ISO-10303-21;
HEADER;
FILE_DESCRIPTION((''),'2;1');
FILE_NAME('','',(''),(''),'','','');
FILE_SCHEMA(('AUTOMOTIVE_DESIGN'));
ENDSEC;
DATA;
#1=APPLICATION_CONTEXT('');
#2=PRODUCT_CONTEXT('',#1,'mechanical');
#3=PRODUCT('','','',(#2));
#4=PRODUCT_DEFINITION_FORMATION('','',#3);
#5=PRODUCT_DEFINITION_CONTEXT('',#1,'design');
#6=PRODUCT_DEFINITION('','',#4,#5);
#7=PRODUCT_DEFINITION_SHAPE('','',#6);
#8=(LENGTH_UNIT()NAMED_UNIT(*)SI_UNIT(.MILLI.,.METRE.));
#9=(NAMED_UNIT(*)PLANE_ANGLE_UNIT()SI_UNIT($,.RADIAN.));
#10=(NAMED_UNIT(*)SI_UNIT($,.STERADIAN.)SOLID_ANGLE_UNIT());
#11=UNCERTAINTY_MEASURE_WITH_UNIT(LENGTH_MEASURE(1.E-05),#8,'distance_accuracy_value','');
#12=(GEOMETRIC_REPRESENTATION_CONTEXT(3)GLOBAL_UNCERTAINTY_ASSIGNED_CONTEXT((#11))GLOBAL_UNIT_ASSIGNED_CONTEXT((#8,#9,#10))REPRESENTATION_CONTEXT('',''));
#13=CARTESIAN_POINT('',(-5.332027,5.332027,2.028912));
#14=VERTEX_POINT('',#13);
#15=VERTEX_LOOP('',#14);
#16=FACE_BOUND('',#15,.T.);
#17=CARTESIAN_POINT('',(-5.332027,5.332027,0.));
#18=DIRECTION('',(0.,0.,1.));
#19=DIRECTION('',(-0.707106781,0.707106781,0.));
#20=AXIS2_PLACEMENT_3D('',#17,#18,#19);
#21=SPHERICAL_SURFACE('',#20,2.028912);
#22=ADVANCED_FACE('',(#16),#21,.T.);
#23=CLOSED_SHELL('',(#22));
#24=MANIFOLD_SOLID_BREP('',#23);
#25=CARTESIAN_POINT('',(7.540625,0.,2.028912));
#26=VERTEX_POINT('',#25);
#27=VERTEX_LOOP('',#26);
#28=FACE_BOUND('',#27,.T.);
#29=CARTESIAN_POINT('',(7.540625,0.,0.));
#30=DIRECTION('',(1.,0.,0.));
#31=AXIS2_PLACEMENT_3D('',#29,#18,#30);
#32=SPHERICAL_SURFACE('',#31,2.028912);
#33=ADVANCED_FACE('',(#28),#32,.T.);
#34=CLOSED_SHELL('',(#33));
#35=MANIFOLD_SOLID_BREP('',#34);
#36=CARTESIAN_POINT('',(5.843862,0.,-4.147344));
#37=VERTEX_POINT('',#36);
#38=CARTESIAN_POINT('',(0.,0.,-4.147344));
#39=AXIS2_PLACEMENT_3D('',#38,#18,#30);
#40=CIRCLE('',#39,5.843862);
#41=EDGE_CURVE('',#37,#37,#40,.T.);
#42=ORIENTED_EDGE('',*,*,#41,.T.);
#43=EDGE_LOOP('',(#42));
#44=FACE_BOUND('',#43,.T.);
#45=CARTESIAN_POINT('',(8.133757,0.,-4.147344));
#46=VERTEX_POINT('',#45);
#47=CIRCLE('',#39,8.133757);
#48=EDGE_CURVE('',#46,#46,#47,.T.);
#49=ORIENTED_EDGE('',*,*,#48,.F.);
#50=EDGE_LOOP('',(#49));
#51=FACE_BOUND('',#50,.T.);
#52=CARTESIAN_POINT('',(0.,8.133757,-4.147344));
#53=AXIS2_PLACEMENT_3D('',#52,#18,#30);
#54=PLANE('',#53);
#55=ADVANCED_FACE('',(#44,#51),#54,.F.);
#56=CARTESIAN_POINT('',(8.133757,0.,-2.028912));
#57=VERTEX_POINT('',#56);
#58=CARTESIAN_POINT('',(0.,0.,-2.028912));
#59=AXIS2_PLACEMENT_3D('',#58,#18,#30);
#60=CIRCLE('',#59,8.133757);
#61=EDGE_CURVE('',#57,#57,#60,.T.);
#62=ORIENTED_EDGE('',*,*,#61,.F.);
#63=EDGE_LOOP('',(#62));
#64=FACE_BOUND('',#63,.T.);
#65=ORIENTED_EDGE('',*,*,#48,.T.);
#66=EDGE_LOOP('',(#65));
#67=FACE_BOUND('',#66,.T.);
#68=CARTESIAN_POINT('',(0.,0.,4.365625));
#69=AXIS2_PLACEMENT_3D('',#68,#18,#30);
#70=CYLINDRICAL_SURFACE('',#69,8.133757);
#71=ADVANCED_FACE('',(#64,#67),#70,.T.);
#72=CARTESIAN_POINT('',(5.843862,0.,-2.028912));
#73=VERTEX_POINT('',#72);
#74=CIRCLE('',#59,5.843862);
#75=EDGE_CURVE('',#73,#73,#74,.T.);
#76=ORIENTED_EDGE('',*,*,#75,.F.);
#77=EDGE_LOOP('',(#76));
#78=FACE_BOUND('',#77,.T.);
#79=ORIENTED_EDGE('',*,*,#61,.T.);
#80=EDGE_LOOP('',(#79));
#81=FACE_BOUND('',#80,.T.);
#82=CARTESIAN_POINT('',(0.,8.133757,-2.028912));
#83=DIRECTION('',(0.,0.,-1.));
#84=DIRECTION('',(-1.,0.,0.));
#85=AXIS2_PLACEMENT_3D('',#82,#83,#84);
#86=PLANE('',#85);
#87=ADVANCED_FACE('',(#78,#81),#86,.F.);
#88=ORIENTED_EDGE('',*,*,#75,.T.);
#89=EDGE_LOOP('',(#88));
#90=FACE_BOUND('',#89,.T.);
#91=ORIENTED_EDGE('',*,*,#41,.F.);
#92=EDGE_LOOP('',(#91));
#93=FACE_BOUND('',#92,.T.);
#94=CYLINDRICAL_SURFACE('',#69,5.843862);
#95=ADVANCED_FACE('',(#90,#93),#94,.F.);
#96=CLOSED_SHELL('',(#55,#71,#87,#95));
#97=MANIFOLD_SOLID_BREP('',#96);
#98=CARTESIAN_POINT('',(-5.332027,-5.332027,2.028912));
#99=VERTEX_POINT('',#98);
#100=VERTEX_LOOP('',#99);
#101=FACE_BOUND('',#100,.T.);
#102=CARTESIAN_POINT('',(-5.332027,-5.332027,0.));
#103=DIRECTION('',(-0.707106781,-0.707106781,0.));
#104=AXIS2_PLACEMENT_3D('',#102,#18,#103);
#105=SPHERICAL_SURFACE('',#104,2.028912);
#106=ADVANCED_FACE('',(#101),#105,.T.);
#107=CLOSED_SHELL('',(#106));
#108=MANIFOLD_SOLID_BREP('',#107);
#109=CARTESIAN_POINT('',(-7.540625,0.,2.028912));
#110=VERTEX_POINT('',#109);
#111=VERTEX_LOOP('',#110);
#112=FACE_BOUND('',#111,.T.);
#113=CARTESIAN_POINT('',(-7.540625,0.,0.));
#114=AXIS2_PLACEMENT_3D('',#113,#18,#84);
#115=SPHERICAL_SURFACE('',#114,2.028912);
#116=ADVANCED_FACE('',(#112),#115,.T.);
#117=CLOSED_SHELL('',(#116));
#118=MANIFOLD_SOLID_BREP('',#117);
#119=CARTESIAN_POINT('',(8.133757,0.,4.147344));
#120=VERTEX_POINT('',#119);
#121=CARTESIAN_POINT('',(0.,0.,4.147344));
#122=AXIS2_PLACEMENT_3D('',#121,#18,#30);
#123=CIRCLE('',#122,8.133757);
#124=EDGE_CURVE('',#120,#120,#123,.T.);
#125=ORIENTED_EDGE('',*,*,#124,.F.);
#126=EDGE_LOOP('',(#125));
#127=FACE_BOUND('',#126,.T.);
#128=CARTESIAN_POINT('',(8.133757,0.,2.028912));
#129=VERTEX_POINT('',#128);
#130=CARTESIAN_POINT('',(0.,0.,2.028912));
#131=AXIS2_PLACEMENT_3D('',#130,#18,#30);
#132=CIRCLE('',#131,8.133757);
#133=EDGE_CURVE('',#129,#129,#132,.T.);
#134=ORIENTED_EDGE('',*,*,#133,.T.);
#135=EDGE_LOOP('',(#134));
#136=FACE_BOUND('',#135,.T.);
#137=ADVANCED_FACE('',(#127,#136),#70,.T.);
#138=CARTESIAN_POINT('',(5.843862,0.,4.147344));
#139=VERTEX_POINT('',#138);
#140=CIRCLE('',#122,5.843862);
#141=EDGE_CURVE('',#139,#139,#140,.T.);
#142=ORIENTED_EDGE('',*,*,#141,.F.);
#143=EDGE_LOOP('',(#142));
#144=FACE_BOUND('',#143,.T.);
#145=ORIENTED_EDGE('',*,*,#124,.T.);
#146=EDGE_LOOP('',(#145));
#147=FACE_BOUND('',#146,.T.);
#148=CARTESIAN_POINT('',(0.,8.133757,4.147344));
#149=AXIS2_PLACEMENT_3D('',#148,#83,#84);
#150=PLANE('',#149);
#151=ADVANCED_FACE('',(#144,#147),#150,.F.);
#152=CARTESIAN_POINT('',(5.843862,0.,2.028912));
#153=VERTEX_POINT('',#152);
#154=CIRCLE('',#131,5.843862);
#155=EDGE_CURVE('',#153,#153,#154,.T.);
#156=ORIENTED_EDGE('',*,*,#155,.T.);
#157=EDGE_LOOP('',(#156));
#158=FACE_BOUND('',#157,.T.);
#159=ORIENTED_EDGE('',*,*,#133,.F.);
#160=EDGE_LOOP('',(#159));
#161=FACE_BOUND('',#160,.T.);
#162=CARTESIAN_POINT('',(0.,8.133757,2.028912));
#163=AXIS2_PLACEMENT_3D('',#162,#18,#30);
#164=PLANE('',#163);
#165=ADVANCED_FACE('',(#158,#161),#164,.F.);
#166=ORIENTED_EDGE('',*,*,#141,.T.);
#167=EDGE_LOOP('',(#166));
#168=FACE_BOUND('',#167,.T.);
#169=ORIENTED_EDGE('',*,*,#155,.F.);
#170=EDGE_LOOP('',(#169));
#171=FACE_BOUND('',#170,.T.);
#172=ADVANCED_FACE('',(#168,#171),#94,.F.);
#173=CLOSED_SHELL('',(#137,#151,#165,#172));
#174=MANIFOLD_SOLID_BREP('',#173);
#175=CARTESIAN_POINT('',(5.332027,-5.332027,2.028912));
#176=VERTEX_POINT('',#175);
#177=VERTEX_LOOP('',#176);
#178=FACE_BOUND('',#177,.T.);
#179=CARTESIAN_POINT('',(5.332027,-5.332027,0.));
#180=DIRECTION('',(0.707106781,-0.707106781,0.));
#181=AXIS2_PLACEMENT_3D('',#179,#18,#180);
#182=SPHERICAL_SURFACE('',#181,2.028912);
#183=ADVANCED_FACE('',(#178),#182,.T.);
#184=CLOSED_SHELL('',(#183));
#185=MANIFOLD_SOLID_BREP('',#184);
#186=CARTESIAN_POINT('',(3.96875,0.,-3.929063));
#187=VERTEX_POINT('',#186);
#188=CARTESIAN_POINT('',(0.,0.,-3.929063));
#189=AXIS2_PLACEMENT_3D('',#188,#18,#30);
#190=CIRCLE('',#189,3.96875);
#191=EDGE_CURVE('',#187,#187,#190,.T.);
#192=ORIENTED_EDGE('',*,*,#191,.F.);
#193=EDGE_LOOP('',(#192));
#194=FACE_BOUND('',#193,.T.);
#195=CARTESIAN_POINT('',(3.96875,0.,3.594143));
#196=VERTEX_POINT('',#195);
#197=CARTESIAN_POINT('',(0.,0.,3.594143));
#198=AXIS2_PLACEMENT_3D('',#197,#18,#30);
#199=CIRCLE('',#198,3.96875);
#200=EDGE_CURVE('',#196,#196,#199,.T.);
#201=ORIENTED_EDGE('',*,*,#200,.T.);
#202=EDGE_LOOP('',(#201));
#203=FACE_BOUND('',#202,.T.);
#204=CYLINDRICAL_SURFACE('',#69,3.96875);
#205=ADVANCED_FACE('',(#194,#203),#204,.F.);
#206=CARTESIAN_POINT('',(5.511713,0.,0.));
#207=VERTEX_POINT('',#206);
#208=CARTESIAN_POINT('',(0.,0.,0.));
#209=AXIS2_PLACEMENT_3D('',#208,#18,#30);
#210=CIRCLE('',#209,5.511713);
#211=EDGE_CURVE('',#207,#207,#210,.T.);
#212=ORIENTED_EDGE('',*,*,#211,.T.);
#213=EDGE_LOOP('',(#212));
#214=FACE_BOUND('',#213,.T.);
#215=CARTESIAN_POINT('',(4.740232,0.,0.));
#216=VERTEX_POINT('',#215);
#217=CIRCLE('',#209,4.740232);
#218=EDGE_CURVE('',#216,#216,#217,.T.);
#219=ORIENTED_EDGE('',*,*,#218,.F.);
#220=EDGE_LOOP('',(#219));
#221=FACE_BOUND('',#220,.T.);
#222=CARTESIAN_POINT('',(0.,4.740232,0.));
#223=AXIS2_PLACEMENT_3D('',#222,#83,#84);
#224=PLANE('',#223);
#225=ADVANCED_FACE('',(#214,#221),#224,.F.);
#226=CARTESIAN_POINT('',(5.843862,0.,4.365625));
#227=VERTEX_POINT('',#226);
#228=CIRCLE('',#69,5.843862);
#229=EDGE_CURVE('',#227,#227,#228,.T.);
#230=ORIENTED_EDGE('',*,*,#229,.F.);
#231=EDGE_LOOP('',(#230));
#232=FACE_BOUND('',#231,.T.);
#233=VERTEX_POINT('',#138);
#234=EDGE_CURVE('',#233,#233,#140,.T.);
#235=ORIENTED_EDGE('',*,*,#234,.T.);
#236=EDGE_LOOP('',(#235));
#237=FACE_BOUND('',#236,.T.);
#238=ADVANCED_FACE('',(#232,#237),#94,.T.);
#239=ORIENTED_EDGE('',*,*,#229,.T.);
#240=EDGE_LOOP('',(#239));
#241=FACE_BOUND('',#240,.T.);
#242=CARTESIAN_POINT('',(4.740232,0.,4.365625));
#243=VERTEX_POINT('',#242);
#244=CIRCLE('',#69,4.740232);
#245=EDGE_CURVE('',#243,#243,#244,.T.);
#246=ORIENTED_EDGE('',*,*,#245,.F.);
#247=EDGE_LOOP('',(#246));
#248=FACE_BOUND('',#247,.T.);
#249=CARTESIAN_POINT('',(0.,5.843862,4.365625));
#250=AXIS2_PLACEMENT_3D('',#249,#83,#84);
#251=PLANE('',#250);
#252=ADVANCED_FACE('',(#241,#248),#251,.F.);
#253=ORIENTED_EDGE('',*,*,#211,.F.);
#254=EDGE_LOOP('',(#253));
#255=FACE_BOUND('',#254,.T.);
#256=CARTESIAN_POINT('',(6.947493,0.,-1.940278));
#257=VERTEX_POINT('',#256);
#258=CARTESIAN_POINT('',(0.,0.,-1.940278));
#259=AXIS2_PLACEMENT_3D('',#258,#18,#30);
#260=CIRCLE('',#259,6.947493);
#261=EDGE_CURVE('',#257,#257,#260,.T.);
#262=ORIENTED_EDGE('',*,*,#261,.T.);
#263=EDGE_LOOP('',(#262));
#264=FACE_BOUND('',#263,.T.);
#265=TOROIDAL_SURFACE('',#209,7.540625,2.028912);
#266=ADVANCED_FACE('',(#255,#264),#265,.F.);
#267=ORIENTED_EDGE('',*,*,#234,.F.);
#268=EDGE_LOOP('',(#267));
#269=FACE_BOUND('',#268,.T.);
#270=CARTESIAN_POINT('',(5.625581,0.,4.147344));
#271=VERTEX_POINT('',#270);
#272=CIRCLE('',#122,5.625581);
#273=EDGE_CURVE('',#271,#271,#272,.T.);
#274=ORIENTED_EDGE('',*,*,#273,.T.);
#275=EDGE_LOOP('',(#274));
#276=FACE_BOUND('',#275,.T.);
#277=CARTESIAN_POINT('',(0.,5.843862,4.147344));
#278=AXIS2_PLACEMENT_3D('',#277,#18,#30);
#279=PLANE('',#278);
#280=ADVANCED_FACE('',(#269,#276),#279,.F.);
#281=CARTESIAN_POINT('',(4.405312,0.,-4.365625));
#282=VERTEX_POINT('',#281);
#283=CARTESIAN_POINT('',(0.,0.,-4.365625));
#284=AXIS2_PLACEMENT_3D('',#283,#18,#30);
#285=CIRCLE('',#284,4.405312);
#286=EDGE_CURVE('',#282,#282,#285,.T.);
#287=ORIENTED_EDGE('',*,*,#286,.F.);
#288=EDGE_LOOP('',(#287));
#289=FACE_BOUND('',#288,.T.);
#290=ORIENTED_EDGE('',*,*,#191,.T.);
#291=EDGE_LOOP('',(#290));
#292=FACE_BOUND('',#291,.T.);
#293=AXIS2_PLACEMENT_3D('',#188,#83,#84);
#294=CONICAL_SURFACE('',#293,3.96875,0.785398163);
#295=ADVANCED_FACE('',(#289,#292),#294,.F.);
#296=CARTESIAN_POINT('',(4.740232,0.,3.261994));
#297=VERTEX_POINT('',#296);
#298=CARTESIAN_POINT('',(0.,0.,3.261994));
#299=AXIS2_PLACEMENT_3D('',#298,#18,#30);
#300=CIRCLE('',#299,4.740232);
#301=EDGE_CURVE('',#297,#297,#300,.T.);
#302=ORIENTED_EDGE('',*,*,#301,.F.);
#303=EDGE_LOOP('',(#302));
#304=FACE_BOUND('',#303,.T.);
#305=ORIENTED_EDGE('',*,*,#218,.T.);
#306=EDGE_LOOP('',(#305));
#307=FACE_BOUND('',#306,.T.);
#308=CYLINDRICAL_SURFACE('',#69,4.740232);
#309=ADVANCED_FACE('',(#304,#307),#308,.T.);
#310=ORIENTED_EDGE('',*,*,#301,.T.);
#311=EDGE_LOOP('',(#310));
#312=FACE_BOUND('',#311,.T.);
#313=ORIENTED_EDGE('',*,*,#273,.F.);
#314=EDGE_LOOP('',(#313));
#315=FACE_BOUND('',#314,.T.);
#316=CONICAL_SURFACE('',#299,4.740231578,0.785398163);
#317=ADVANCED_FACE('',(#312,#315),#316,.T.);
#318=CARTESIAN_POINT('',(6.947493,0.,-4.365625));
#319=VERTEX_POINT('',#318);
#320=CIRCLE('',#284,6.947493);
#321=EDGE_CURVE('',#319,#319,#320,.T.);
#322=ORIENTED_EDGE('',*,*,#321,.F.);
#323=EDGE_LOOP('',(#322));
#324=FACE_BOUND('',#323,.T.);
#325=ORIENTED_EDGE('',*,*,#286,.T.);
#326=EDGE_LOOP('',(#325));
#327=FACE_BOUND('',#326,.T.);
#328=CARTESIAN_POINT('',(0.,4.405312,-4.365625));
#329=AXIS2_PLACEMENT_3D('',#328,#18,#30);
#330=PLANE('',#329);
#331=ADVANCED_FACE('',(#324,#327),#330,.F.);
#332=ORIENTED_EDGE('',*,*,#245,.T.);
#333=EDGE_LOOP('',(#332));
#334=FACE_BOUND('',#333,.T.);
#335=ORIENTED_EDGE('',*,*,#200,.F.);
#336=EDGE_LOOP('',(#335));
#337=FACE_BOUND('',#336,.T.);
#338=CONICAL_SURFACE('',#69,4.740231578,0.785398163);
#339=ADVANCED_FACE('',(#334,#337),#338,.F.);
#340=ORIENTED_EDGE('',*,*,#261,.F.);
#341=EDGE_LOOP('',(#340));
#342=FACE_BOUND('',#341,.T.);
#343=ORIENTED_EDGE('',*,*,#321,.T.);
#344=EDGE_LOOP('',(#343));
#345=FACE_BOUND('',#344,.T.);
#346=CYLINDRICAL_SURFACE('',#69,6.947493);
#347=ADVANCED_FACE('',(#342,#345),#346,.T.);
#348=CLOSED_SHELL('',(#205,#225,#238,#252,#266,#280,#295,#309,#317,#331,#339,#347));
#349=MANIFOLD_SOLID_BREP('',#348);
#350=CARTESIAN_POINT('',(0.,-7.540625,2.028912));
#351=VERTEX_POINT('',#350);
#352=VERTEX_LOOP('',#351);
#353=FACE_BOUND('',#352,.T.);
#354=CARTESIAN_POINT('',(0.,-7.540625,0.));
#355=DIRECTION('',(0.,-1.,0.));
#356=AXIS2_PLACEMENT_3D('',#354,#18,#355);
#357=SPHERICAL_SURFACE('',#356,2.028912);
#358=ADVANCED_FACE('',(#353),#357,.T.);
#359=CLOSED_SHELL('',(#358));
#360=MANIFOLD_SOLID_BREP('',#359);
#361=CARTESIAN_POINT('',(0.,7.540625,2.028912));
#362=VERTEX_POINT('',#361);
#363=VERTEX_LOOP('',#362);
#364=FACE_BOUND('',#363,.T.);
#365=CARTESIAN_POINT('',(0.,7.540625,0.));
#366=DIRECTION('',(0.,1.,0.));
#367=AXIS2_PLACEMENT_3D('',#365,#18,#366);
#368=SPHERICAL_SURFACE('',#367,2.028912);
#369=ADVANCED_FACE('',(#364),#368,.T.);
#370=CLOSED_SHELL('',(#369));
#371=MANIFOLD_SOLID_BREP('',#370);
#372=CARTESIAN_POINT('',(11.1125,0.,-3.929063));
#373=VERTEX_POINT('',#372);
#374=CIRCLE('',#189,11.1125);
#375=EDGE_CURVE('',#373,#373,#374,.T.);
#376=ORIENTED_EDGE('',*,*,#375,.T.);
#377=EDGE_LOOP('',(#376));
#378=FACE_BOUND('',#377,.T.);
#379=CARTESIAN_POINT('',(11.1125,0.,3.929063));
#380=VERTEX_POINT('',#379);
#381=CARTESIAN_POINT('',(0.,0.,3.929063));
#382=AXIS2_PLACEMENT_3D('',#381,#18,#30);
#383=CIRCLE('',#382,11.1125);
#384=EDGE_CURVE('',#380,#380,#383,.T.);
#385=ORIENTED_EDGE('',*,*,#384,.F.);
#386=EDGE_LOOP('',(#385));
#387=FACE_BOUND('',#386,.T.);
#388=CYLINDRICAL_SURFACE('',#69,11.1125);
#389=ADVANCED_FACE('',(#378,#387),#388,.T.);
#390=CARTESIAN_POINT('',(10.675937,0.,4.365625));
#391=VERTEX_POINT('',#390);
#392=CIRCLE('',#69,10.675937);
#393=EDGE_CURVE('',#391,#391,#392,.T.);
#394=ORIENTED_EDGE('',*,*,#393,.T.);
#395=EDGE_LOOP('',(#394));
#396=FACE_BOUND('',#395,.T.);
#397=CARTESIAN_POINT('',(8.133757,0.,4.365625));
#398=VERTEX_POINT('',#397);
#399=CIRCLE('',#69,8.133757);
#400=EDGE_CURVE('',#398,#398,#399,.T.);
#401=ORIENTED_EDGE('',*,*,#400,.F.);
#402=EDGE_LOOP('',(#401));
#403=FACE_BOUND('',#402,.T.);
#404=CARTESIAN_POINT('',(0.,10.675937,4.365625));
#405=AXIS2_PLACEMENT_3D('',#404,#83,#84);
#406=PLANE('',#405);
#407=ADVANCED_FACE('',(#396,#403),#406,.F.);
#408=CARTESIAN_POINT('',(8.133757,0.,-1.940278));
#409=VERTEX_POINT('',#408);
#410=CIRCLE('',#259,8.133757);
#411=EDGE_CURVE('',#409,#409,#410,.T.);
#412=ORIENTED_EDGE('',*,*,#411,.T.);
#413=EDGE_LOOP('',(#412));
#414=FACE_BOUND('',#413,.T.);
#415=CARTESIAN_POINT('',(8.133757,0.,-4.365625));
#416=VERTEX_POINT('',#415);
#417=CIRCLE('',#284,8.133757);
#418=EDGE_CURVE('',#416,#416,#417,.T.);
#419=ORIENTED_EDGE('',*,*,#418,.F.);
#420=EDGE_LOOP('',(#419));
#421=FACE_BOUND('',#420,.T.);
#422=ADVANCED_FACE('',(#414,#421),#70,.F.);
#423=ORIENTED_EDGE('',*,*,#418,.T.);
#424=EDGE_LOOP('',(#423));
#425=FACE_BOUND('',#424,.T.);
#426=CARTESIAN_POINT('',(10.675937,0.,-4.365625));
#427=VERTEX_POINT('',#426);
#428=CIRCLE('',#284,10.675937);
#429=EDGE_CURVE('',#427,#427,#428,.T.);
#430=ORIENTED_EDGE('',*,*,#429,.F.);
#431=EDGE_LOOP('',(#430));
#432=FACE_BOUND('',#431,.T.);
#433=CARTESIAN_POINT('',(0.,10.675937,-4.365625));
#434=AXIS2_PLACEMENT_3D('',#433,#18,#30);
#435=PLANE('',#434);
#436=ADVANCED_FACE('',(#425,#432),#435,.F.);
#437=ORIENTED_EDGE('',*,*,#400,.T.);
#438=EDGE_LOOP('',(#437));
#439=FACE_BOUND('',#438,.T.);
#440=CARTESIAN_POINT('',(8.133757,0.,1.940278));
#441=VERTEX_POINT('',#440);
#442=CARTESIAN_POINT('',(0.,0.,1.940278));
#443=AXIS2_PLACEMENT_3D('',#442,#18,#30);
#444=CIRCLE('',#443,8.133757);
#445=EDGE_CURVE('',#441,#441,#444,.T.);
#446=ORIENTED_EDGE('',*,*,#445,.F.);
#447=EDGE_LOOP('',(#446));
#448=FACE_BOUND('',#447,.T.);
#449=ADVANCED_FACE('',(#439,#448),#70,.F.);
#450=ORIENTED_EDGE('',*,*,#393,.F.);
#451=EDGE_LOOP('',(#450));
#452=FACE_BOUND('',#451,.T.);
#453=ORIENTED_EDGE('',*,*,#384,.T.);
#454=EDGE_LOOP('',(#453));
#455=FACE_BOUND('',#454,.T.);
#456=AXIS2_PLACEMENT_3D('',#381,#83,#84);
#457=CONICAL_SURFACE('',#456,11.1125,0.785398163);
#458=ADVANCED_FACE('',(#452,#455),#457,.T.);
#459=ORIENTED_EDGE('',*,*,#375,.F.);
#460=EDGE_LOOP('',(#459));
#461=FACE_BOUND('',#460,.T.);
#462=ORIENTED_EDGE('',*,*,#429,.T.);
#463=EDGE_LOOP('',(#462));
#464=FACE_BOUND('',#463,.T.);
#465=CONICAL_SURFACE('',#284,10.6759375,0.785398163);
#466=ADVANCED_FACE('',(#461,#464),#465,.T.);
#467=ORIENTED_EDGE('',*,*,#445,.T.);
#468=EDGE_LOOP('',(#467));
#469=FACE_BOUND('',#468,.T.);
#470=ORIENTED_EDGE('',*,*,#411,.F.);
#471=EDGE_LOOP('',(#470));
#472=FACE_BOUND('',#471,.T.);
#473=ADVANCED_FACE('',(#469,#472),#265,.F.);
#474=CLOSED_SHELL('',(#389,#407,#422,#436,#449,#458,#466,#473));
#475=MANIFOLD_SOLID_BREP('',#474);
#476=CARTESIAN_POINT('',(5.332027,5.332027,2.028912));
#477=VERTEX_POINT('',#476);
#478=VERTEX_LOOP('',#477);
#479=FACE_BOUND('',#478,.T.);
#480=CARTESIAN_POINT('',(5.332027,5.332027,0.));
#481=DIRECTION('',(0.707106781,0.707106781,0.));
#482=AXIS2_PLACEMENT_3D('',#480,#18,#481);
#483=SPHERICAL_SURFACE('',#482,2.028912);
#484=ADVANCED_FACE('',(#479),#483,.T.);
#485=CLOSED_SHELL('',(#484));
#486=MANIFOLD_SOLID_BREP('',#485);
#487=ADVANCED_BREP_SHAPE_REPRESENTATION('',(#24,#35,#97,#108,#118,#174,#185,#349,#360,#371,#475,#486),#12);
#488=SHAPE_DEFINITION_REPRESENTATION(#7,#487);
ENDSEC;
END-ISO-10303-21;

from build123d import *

# Parameters (mm, degrees)
CIRPATTERN1_COUNT = 8
SKETCH5_W         = 2.118431907
SKETCH5_H         = 2.289894513


with BuildPart() as part:
    # Sketch1 → Revolve1 (revolve)
    with BuildSketch(Plane(origin=(0, 0, 0), x_dir=(0, 0, -1), z_dir=(1, 0, 0))):
        with BuildLine():
            Line((3.9290625, 11.1125), (-3.9290625, 11.1125))
            Line((-3.9290625, 11.1125), (-4.365625, 10.6759375))
            Line((-4.365625, 10.6759375), (-4.365625, 8.133756868))
            Line((-4.365625, 8.133756868), (-1.940277778, 8.133756868))
            ThreePointArc((-1.940277778, 8.133756868), (0, 9.569536843), (1.940277778, 8.133756868))
            Line((1.940277778, 8.133756868), (4.365625, 8.133756868))
            Line((4.365625, 8.133756868), (4.365625, 10.6759375))
            Line((4.365625, 10.6759375), (3.9290625, 11.1125))
        make_face()
    revolve(axis=Axis((0, 0, 4.365625), (0, 0, -1)))


with BuildPart() as body_2:
    # Sketch3 → Revolve3 (revolve)
    with BuildSketch(Plane(origin=(0, 0, 0), x_dir=(0, 0, -1), z_dir=(1, 0, 0))):
        with BuildLine():
            Line((-4.14734375, 5.625581105), (-3.261994223, 4.740231578))
            Line((-3.261994223, 4.740231578), (0, 4.740231578))
            Line((0, 4.740231578), (0, 5.511713157))
            ThreePointArc((0, 5.511713157), (1.206870125, 5.909690369), (1.940277778, 6.947493132))
            Line((1.940277778, 6.947493132), (4.365625, 6.947493132))
            Line((4.365625, 6.947493132), (4.365625, 4.4053125))
            Line((4.365625, 4.4053125), (3.9290625, 3.96875))
            Line((3.9290625, 3.96875), (-3.594143422, 3.96875))
            Line((-3.594143422, 3.96875), (-4.365625, 4.740231578))
            Line((-4.365625, 4.740231578), (-4.365625, 5.843862355))
            Line((-4.365625, 5.843862355), (-4.14734375, 5.843862355))
            Line((-4.14734375, 5.843862355), (-4.14734375, 5.625581105))
        make_face()
    revolve(axis=Axis((0, 0, 4.365625), (0, 0, -1)))


with BuildPart() as body_3:
    # Sketch4 → Revolve4 (revolve)
    with BuildSketch(Plane(origin=(0, 0, 0), x_dir=(0, 0, -1), z_dir=(1, 0, 0))):
        with BuildLine():
            Line((-2.028911843, 7.540625), (2.028911843, 7.540625))
            ThreePointArc((2.028911843, 7.540625), (0, 9.569536843), (-2.028911843, 7.540625))
        make_face()
    revolve(axis=Axis((0, 7.540625, 2.028911843), (0, 0, -1)))


with BuildPart() as cirpattern1_1:
    # CirPattern1: pattern copy
    add(body_3.part.rotate(Axis((0, 0, -4.365625), (0, 0, 1)), 1 * 360 / CIRPATTERN1_COUNT))


with BuildPart() as cirpattern1_2:
    # CirPattern1: pattern copy
    add(body_3.part.rotate(Axis((0, 0, -4.365625), (0, 0, 1)), 2 * 360 / CIRPATTERN1_COUNT))


with BuildPart() as cirpattern1_3:
    # CirPattern1: pattern copy
    add(body_3.part.rotate(Axis((0, 0, -4.365625), (0, 0, 1)), 3 * 360 / CIRPATTERN1_COUNT))


with BuildPart() as cirpattern1_4:
    # CirPattern1: pattern copy
    add(body_3.part.rotate(Axis((0, 0, -4.365625), (0, 0, 1)), 4 * 360 / CIRPATTERN1_COUNT))


with BuildPart() as cirpattern1_5:
    # CirPattern1: pattern copy
    add(body_3.part.rotate(Axis((0, 0, -4.365625), (0, 0, 1)), 5 * 360 / CIRPATTERN1_COUNT))


with BuildPart() as cirpattern1_6:
    # CirPattern1: pattern copy
    add(body_3.part.rotate(Axis((0, 0, -4.365625), (0, 0, 1)), 6 * 360 / CIRPATTERN1_COUNT))


with BuildPart() as cirpattern1_7:
    # CirPattern1: pattern copy
    add(body_3.part.rotate(Axis((0, 0, -4.365625), (0, 0, 1)), 7 * 360 / CIRPATTERN1_COUNT))


with BuildPart() as body_11:
    # Sketch5 → Revolve5 (revolve)
    with BuildSketch(Plane(origin=(0, 0, 0), x_dir=(0, 0, -1), z_dir=(1, 0, 0))):
        with Locations((-3.088127797, 6.988809612)):
            Rectangle(SKETCH5_W, SKETCH5_H)
        with Locations((3.088127797, 6.988809612)):
            Rectangle(SKETCH5_W, SKETCH5_H)
    revolve(axis=Axis((0, 0, 4.365625), (0, 0, -1)))


solid = Compound([part.part, body_2.part, body_3.part, cirpattern1_1.part, cirpattern1_2.part, cirpattern1_3.part, cirpattern1_4.part, cirpattern1_5.part, cirpattern1_6.part, cirpattern1_7.part, body_11.part])
